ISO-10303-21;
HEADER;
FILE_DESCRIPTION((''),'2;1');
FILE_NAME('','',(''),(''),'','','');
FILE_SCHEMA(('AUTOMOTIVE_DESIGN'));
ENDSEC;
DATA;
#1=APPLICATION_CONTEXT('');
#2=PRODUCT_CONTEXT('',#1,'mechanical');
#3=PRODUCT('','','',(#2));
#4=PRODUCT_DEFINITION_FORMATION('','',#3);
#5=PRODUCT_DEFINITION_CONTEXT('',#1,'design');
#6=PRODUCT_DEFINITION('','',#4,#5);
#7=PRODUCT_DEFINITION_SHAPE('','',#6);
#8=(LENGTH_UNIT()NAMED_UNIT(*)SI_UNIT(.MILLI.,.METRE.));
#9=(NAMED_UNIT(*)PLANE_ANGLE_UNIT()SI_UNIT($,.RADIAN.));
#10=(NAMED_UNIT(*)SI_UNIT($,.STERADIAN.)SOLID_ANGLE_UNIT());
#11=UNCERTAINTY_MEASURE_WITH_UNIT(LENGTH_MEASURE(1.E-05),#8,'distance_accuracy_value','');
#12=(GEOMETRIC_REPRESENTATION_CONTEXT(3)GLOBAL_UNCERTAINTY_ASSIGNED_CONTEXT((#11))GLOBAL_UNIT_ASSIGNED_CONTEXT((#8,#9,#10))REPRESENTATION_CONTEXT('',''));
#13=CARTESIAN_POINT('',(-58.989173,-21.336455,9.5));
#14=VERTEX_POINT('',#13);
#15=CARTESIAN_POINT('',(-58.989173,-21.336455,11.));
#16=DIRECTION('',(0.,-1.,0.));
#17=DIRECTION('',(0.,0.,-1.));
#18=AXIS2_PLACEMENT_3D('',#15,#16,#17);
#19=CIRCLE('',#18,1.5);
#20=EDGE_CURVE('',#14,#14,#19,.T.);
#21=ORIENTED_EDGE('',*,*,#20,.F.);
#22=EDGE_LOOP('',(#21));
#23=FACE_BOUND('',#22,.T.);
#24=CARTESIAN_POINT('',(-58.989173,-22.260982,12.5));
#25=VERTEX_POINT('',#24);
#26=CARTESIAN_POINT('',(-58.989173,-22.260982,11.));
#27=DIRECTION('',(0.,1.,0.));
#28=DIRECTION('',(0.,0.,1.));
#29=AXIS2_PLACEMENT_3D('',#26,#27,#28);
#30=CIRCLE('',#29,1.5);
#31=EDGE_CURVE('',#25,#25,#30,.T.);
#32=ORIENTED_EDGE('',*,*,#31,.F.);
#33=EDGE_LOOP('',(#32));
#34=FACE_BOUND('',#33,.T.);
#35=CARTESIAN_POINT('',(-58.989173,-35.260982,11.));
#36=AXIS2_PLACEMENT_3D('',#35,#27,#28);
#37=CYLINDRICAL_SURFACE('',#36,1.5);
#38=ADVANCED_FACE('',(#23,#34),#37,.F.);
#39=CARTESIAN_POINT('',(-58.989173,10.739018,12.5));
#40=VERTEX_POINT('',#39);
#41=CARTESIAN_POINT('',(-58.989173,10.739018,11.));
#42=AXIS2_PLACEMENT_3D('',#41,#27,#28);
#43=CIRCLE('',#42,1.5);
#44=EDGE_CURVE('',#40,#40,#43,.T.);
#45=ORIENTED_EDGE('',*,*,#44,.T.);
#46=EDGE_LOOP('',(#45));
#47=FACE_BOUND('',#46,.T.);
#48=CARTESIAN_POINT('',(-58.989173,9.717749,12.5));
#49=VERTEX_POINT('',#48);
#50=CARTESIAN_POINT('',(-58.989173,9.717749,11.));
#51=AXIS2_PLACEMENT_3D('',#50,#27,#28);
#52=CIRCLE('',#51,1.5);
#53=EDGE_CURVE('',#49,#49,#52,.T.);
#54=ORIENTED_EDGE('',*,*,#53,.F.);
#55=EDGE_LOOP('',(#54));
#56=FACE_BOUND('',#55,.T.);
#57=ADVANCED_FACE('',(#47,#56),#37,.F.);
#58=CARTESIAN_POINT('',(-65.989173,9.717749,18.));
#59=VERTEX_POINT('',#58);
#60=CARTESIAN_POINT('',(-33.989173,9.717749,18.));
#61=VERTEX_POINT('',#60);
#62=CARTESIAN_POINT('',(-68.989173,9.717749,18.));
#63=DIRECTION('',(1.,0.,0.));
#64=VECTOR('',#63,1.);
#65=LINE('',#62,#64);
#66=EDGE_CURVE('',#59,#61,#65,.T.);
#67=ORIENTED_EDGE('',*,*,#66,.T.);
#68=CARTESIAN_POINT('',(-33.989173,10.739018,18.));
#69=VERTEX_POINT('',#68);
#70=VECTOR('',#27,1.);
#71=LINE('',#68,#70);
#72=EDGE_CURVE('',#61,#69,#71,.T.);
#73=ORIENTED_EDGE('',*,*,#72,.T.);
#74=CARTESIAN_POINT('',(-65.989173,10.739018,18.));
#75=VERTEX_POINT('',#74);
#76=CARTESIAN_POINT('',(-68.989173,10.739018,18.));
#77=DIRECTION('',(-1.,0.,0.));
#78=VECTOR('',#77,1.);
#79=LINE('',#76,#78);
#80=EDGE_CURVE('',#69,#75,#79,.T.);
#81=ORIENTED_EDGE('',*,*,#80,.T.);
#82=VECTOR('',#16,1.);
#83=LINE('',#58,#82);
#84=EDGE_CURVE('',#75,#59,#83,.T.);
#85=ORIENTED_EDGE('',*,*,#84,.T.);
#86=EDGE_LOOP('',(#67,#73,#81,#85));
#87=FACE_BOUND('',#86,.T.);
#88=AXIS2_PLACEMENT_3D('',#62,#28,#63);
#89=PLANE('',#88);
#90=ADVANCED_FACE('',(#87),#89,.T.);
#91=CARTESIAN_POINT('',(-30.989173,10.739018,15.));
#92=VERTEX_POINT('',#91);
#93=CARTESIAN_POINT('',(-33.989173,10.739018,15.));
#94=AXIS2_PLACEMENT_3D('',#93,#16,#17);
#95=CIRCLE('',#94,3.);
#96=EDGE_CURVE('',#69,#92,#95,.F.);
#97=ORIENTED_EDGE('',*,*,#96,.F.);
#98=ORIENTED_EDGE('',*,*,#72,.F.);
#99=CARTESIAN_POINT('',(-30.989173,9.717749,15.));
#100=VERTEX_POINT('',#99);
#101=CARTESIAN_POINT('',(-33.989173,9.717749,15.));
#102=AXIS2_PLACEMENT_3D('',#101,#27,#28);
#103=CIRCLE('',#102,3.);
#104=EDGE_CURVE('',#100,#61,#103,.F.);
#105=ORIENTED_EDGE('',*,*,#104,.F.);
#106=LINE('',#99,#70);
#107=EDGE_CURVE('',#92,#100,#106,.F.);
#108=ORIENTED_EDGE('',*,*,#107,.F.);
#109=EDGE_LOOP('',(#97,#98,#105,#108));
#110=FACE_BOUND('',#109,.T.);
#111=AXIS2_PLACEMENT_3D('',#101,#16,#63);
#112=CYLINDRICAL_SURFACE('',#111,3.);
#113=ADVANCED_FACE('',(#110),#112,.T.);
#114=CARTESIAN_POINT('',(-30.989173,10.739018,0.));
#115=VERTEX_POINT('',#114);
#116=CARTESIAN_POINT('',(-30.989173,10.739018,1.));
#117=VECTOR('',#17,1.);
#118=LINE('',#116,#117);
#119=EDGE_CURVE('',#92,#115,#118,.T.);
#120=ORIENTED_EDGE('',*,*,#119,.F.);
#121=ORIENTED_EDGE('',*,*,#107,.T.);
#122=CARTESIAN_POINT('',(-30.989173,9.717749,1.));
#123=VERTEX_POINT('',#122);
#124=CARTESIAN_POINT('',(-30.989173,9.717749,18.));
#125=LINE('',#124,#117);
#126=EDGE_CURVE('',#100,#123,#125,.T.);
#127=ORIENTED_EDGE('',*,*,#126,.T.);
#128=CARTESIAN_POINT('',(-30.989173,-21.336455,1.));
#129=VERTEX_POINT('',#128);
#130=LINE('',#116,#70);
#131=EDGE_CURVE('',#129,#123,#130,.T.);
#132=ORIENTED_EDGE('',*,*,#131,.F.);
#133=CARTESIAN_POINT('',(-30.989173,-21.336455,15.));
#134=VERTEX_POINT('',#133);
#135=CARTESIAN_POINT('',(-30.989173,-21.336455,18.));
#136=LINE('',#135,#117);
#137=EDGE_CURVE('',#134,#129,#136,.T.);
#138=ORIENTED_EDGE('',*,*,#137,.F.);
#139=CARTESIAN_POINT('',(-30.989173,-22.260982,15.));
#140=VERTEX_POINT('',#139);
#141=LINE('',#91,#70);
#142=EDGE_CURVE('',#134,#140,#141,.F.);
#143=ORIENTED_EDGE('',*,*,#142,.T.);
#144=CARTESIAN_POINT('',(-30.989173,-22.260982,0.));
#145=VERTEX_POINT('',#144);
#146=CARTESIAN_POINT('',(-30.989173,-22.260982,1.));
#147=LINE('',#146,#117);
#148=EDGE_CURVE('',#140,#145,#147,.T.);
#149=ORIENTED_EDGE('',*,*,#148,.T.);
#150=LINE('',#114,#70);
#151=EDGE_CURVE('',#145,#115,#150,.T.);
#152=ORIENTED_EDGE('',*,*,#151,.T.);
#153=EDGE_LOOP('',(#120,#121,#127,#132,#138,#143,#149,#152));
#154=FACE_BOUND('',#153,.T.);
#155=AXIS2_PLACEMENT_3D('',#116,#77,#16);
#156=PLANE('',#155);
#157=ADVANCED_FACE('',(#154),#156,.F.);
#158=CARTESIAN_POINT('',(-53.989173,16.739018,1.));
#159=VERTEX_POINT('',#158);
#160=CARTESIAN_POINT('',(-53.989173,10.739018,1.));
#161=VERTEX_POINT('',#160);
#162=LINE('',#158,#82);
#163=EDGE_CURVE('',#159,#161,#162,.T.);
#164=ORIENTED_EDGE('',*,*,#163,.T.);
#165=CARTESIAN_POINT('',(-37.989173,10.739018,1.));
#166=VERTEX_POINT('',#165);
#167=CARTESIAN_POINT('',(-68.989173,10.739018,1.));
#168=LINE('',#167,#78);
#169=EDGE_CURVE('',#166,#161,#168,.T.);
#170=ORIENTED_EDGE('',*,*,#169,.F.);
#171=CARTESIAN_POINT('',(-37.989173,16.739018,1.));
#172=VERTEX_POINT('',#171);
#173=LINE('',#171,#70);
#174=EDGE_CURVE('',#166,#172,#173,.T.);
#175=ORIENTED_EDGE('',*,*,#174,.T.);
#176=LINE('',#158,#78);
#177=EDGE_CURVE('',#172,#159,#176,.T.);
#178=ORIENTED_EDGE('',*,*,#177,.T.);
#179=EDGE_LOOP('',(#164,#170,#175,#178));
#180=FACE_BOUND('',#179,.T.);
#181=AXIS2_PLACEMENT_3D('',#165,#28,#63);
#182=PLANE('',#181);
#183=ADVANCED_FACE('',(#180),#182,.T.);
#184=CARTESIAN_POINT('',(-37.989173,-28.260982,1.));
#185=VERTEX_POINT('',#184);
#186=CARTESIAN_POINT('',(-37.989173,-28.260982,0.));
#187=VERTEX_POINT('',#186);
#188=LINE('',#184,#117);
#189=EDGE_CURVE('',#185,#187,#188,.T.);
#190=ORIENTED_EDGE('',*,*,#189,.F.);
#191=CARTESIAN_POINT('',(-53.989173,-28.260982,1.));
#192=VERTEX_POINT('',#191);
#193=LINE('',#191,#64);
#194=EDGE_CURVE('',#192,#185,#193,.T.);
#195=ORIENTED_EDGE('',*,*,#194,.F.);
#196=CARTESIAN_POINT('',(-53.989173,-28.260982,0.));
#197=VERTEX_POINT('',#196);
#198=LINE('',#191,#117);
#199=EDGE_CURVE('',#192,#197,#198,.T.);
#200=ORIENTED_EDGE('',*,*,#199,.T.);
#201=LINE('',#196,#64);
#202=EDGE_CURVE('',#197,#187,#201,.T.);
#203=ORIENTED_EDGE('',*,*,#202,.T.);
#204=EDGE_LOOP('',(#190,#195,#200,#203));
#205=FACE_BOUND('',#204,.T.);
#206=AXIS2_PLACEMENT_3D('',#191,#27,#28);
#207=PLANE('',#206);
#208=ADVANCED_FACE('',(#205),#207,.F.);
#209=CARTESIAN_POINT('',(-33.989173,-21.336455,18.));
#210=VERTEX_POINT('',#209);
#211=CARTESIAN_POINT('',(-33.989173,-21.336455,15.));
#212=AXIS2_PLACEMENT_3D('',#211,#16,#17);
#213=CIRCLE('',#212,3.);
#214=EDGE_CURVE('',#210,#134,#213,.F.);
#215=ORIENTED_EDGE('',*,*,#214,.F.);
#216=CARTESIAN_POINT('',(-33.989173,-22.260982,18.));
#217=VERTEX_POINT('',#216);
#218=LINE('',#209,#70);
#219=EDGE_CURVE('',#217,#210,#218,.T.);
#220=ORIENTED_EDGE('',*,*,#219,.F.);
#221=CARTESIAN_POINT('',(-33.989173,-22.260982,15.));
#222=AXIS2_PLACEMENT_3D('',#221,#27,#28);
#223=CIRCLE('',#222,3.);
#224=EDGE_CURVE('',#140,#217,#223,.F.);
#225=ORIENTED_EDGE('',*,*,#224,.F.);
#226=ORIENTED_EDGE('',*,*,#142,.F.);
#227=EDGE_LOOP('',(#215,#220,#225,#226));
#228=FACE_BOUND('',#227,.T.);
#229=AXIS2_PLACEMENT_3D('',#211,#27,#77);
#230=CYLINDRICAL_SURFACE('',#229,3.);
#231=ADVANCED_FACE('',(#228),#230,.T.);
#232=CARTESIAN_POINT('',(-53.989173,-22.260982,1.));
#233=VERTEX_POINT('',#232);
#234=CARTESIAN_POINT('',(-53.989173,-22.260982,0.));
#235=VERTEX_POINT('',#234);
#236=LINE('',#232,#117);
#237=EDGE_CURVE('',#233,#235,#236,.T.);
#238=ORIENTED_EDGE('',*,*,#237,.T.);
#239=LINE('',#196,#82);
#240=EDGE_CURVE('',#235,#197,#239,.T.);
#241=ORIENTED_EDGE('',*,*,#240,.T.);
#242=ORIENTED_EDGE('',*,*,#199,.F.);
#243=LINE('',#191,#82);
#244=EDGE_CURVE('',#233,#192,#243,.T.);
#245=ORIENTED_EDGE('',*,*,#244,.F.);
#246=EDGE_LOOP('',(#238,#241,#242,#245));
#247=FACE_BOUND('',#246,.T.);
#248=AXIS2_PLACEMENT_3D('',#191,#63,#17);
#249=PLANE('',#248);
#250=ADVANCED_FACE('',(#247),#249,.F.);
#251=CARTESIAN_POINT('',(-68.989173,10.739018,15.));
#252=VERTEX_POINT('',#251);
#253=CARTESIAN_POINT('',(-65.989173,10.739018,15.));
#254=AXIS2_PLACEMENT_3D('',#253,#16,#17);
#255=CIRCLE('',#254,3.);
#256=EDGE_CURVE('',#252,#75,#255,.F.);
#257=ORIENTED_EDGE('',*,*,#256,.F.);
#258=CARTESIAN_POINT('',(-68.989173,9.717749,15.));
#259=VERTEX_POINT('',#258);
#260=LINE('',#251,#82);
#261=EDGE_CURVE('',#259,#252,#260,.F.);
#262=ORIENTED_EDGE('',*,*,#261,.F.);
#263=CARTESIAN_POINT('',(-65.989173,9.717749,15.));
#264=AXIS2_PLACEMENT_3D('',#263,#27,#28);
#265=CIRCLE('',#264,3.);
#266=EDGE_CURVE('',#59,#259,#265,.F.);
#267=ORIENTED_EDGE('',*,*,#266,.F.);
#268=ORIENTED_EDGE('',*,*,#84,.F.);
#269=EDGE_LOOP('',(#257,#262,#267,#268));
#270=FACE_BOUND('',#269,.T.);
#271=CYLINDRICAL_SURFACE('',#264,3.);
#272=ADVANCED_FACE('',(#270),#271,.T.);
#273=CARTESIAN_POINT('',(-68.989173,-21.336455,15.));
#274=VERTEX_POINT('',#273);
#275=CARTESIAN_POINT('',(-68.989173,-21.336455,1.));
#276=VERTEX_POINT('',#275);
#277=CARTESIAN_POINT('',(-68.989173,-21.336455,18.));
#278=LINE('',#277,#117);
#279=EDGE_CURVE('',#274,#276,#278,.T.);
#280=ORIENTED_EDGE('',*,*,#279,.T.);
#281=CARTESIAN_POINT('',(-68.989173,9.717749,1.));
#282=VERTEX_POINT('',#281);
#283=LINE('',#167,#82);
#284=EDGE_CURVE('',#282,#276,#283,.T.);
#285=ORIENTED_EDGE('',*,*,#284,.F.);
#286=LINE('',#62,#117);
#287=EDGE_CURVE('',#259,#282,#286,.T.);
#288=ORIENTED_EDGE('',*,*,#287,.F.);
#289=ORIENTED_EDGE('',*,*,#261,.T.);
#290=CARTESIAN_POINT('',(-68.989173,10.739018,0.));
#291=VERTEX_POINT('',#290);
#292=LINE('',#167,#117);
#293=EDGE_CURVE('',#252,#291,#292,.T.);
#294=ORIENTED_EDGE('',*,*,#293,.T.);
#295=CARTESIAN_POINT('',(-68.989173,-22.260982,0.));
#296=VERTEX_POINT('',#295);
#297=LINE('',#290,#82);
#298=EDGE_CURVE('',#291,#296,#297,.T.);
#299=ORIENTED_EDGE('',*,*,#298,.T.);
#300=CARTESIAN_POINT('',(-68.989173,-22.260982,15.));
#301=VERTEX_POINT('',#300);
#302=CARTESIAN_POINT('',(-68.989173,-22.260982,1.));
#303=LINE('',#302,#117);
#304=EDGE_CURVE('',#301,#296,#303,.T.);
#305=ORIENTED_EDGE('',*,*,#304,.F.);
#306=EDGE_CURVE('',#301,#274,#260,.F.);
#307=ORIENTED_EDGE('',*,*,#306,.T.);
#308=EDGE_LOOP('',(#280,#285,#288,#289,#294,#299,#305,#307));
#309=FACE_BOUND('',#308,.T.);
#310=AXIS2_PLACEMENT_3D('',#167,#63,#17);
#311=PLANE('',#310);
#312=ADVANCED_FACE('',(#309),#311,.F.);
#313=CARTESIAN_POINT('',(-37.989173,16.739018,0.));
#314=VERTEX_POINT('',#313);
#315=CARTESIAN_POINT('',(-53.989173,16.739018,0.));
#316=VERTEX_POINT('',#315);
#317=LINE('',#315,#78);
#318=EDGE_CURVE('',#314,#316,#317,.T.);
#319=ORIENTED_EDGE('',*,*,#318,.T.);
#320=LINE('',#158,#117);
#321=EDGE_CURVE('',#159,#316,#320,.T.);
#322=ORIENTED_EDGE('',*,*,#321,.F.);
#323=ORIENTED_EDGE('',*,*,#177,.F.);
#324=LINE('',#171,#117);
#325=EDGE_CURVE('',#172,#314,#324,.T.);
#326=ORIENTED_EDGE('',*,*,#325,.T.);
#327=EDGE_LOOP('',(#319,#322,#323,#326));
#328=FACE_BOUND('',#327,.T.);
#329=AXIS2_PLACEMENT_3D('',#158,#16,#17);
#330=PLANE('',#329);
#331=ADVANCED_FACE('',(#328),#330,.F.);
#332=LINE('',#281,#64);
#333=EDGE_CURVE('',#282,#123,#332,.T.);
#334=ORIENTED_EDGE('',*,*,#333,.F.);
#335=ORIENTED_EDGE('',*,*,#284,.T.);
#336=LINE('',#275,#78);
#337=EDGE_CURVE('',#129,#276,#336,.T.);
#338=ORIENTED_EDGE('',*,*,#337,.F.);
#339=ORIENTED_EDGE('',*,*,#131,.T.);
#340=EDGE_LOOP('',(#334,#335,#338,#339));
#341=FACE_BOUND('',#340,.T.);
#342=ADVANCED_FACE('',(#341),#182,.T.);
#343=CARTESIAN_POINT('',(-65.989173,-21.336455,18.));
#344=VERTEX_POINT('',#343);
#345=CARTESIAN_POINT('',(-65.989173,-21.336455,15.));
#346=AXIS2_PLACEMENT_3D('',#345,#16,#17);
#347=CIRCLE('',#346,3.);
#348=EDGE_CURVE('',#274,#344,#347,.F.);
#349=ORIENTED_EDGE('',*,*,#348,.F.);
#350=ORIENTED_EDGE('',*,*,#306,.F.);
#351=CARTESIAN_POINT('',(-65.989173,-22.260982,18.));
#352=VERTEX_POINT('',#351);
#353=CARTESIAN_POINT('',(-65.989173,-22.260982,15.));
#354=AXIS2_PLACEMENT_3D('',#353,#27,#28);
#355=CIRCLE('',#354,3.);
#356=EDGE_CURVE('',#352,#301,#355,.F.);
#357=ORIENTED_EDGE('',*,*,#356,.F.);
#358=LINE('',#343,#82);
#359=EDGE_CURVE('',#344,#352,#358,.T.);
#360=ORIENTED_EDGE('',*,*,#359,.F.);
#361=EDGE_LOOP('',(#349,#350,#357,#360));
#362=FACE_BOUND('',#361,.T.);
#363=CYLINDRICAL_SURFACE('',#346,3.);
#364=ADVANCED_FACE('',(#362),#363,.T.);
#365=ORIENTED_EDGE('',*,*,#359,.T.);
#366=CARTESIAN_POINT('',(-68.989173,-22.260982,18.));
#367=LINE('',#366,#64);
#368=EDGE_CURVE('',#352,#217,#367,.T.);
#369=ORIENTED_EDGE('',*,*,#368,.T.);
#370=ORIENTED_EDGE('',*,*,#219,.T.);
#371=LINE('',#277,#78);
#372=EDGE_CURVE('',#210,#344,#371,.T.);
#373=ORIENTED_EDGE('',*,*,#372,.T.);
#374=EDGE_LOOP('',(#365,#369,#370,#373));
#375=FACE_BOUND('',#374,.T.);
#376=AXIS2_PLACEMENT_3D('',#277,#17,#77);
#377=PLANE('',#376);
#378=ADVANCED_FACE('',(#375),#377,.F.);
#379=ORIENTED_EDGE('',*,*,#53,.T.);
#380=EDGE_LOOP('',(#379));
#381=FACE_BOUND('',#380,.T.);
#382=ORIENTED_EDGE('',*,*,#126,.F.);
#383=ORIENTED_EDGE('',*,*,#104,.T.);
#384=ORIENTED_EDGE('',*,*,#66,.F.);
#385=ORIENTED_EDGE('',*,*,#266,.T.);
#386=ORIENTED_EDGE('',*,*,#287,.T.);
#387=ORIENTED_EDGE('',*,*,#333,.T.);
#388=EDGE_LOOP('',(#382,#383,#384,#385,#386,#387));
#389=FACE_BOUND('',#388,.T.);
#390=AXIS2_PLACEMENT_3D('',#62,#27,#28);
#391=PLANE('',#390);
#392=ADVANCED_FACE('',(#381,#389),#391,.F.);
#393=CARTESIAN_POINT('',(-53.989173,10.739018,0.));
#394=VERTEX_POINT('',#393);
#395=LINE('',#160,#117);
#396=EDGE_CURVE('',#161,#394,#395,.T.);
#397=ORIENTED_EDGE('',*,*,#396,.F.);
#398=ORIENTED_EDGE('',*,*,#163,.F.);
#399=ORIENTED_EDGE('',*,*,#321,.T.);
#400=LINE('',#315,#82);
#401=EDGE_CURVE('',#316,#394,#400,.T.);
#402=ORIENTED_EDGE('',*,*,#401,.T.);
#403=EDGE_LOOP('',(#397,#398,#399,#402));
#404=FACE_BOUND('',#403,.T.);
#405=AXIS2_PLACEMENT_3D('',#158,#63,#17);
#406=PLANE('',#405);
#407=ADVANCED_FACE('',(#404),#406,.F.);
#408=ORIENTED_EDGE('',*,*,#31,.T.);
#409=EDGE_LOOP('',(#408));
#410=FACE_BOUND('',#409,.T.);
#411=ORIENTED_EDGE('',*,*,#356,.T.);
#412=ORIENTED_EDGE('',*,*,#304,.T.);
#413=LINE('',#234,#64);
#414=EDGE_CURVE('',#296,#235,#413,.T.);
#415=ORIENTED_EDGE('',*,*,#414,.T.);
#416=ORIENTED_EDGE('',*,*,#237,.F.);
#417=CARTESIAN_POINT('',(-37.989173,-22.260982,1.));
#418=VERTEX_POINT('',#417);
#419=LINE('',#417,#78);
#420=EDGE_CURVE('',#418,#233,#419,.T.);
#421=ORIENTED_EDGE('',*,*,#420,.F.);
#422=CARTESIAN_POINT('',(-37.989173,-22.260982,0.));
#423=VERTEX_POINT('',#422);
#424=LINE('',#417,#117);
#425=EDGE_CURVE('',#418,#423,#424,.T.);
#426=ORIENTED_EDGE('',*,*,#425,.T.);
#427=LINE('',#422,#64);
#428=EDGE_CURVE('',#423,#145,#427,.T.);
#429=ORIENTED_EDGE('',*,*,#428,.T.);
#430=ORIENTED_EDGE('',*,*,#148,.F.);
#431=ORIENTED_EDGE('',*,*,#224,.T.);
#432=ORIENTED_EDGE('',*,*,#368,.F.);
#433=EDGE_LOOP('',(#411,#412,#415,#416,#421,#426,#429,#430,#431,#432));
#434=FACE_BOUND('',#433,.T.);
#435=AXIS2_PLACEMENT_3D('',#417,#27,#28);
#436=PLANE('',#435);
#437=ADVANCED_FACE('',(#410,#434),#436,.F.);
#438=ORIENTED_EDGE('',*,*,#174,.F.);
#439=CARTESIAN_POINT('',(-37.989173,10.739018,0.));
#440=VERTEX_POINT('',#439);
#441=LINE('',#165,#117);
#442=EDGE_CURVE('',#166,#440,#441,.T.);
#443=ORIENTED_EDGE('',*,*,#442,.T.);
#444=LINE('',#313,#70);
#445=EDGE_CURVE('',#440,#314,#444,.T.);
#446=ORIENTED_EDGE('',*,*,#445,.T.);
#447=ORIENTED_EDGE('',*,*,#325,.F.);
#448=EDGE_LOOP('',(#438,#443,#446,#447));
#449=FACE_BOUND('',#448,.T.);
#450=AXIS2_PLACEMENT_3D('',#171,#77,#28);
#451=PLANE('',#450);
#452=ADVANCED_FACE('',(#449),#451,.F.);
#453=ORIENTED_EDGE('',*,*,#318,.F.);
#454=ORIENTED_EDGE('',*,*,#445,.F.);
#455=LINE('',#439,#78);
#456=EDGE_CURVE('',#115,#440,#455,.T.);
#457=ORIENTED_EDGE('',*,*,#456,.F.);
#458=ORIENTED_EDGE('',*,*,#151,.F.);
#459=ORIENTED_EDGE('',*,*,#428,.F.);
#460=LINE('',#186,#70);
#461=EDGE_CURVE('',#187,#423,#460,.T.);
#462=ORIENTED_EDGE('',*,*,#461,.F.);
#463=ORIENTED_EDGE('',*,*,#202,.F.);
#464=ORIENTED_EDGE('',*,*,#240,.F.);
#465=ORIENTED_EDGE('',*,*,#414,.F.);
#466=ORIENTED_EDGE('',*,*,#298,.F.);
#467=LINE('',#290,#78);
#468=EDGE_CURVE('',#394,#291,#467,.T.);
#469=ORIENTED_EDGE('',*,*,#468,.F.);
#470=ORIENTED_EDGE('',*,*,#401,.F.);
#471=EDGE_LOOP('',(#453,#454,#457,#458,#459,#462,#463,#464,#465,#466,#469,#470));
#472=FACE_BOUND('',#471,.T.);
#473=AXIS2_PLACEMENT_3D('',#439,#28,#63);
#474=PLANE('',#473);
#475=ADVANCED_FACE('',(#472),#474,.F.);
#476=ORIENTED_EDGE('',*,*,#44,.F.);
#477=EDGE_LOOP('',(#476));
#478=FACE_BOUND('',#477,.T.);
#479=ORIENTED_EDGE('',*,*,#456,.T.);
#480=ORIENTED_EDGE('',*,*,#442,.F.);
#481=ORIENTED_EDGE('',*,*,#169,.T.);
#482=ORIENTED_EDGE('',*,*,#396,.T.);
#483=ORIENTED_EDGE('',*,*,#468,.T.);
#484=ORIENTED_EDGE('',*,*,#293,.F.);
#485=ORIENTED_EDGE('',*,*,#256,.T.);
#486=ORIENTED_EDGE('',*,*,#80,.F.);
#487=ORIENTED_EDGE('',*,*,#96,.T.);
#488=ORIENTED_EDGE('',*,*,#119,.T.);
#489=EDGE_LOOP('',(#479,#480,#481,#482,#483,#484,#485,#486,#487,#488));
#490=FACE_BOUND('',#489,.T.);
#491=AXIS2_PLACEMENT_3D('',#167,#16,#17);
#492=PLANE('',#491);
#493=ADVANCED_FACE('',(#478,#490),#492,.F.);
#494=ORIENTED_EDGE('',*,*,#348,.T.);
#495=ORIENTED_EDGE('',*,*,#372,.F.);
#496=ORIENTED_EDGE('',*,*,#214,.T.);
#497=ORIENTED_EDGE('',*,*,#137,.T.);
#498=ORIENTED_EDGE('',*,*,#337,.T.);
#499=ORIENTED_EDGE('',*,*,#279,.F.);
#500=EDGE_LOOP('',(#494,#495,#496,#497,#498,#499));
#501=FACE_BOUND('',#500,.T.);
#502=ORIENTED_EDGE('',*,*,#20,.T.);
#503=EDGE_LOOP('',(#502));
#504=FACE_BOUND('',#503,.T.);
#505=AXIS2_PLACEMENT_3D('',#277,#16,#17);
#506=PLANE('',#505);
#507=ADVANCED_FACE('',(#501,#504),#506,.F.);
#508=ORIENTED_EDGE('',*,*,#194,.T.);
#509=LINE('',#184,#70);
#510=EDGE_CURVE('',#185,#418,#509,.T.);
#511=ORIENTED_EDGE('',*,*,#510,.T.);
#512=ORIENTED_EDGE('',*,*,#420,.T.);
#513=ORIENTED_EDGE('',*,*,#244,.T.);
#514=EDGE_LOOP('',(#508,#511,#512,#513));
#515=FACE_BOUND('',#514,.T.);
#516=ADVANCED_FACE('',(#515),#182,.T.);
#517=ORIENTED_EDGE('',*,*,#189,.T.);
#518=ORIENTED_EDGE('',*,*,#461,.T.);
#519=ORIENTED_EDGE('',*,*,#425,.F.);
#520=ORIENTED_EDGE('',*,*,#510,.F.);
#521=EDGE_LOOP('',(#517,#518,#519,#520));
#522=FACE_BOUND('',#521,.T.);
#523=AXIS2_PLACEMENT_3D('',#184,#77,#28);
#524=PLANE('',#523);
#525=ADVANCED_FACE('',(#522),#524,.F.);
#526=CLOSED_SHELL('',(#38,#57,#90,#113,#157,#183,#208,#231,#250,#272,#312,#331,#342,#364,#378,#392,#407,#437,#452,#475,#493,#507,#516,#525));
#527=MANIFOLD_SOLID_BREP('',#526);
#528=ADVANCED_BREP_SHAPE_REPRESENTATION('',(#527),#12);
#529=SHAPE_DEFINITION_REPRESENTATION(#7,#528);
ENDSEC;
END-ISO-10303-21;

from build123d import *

# Parameters (mm, degrees)
EXTRUSION1_DEPTH        = 1
ESQUISSE14_W            = 38
ESQUISSE14_H            = 1.021269028
ESQUISSE14_H_2          = 0.92452696
EXTRUSION2_DEPTH        = 17
CONG_3_R                = 3
ESQUISSE20_R            = 1.551729924
ESQUISSE20_R_2          = 1.5
ENL_V_MAT_EXTRU_7_DEPTH = 46


with BuildPart() as part:
    # Esquisse1 → Extrusion1 (new body)
    with BuildSketch(Plane.XY):
        Polygon((-30.989172535, 10.739018032), (-30.989172535, -22.260981968), (-37.989172535, -22.260981968), (-37.989172535, -28.260981968), (-53.989172535, -28.260981968), (-53.989172535, -22.260981968), (-68.989172535, -22.260981968), (-68.989172535, 10.739018032), (-53.989172535, 10.739018032), (-53.989172535, 16.739018032), (-37.989172535, 16.739018032), (-37.989172535, 10.739018032), align=None)
    extrude(amount=EXTRUSION1_DEPTH)

    # Esquisse14 → Extrusion2 (add)
    with BuildSketch(Plane.XY.offset(1)):
        with Locations((-49.989172535, 10.228383518)):
            Rectangle(ESQUISSE14_W, ESQUISSE14_H)
        with Locations((-49.989172535, -21.798718488)):
            Rectangle(ESQUISSE14_W, ESQUISSE14_H_2)
    extrude(amount=EXTRUSION2_DEPTH)

    # Congé3
    cong_3_edges = [part.edges().sort_by_distance(p)[0] for p in [
        (-68.989172535, -21.798718488, 18),
        (-30.989172535, -21.798718488, 18),
        (-30.989172535, 10.228383518, 18),
        (-68.989172535, 10.228383518, 18),
    ]]
    fillet(cong_3_edges, radius=CONG_3_R)

    # Esquisse20 → Enlèv. mat.-Extru.7 (cut)
    with BuildSketch(Plane(origin=(0, 10.739018032, 0), x_dir=(-1, 0, 0), z_dir=(0, 1, 0))):
        with Locations((109.664285954, 11.585691392)):
            Circle(ESQUISSE20_R)
        with Locations(Location((58.989172535, 11, 0), (0, 0, 90))):
            Circle(ESQUISSE20_R_2)
    extrude(amount=-ENL_V_MAT_EXTRU_7_DEPTH, mode=Mode.SUBTRACT)


solid = part.part
